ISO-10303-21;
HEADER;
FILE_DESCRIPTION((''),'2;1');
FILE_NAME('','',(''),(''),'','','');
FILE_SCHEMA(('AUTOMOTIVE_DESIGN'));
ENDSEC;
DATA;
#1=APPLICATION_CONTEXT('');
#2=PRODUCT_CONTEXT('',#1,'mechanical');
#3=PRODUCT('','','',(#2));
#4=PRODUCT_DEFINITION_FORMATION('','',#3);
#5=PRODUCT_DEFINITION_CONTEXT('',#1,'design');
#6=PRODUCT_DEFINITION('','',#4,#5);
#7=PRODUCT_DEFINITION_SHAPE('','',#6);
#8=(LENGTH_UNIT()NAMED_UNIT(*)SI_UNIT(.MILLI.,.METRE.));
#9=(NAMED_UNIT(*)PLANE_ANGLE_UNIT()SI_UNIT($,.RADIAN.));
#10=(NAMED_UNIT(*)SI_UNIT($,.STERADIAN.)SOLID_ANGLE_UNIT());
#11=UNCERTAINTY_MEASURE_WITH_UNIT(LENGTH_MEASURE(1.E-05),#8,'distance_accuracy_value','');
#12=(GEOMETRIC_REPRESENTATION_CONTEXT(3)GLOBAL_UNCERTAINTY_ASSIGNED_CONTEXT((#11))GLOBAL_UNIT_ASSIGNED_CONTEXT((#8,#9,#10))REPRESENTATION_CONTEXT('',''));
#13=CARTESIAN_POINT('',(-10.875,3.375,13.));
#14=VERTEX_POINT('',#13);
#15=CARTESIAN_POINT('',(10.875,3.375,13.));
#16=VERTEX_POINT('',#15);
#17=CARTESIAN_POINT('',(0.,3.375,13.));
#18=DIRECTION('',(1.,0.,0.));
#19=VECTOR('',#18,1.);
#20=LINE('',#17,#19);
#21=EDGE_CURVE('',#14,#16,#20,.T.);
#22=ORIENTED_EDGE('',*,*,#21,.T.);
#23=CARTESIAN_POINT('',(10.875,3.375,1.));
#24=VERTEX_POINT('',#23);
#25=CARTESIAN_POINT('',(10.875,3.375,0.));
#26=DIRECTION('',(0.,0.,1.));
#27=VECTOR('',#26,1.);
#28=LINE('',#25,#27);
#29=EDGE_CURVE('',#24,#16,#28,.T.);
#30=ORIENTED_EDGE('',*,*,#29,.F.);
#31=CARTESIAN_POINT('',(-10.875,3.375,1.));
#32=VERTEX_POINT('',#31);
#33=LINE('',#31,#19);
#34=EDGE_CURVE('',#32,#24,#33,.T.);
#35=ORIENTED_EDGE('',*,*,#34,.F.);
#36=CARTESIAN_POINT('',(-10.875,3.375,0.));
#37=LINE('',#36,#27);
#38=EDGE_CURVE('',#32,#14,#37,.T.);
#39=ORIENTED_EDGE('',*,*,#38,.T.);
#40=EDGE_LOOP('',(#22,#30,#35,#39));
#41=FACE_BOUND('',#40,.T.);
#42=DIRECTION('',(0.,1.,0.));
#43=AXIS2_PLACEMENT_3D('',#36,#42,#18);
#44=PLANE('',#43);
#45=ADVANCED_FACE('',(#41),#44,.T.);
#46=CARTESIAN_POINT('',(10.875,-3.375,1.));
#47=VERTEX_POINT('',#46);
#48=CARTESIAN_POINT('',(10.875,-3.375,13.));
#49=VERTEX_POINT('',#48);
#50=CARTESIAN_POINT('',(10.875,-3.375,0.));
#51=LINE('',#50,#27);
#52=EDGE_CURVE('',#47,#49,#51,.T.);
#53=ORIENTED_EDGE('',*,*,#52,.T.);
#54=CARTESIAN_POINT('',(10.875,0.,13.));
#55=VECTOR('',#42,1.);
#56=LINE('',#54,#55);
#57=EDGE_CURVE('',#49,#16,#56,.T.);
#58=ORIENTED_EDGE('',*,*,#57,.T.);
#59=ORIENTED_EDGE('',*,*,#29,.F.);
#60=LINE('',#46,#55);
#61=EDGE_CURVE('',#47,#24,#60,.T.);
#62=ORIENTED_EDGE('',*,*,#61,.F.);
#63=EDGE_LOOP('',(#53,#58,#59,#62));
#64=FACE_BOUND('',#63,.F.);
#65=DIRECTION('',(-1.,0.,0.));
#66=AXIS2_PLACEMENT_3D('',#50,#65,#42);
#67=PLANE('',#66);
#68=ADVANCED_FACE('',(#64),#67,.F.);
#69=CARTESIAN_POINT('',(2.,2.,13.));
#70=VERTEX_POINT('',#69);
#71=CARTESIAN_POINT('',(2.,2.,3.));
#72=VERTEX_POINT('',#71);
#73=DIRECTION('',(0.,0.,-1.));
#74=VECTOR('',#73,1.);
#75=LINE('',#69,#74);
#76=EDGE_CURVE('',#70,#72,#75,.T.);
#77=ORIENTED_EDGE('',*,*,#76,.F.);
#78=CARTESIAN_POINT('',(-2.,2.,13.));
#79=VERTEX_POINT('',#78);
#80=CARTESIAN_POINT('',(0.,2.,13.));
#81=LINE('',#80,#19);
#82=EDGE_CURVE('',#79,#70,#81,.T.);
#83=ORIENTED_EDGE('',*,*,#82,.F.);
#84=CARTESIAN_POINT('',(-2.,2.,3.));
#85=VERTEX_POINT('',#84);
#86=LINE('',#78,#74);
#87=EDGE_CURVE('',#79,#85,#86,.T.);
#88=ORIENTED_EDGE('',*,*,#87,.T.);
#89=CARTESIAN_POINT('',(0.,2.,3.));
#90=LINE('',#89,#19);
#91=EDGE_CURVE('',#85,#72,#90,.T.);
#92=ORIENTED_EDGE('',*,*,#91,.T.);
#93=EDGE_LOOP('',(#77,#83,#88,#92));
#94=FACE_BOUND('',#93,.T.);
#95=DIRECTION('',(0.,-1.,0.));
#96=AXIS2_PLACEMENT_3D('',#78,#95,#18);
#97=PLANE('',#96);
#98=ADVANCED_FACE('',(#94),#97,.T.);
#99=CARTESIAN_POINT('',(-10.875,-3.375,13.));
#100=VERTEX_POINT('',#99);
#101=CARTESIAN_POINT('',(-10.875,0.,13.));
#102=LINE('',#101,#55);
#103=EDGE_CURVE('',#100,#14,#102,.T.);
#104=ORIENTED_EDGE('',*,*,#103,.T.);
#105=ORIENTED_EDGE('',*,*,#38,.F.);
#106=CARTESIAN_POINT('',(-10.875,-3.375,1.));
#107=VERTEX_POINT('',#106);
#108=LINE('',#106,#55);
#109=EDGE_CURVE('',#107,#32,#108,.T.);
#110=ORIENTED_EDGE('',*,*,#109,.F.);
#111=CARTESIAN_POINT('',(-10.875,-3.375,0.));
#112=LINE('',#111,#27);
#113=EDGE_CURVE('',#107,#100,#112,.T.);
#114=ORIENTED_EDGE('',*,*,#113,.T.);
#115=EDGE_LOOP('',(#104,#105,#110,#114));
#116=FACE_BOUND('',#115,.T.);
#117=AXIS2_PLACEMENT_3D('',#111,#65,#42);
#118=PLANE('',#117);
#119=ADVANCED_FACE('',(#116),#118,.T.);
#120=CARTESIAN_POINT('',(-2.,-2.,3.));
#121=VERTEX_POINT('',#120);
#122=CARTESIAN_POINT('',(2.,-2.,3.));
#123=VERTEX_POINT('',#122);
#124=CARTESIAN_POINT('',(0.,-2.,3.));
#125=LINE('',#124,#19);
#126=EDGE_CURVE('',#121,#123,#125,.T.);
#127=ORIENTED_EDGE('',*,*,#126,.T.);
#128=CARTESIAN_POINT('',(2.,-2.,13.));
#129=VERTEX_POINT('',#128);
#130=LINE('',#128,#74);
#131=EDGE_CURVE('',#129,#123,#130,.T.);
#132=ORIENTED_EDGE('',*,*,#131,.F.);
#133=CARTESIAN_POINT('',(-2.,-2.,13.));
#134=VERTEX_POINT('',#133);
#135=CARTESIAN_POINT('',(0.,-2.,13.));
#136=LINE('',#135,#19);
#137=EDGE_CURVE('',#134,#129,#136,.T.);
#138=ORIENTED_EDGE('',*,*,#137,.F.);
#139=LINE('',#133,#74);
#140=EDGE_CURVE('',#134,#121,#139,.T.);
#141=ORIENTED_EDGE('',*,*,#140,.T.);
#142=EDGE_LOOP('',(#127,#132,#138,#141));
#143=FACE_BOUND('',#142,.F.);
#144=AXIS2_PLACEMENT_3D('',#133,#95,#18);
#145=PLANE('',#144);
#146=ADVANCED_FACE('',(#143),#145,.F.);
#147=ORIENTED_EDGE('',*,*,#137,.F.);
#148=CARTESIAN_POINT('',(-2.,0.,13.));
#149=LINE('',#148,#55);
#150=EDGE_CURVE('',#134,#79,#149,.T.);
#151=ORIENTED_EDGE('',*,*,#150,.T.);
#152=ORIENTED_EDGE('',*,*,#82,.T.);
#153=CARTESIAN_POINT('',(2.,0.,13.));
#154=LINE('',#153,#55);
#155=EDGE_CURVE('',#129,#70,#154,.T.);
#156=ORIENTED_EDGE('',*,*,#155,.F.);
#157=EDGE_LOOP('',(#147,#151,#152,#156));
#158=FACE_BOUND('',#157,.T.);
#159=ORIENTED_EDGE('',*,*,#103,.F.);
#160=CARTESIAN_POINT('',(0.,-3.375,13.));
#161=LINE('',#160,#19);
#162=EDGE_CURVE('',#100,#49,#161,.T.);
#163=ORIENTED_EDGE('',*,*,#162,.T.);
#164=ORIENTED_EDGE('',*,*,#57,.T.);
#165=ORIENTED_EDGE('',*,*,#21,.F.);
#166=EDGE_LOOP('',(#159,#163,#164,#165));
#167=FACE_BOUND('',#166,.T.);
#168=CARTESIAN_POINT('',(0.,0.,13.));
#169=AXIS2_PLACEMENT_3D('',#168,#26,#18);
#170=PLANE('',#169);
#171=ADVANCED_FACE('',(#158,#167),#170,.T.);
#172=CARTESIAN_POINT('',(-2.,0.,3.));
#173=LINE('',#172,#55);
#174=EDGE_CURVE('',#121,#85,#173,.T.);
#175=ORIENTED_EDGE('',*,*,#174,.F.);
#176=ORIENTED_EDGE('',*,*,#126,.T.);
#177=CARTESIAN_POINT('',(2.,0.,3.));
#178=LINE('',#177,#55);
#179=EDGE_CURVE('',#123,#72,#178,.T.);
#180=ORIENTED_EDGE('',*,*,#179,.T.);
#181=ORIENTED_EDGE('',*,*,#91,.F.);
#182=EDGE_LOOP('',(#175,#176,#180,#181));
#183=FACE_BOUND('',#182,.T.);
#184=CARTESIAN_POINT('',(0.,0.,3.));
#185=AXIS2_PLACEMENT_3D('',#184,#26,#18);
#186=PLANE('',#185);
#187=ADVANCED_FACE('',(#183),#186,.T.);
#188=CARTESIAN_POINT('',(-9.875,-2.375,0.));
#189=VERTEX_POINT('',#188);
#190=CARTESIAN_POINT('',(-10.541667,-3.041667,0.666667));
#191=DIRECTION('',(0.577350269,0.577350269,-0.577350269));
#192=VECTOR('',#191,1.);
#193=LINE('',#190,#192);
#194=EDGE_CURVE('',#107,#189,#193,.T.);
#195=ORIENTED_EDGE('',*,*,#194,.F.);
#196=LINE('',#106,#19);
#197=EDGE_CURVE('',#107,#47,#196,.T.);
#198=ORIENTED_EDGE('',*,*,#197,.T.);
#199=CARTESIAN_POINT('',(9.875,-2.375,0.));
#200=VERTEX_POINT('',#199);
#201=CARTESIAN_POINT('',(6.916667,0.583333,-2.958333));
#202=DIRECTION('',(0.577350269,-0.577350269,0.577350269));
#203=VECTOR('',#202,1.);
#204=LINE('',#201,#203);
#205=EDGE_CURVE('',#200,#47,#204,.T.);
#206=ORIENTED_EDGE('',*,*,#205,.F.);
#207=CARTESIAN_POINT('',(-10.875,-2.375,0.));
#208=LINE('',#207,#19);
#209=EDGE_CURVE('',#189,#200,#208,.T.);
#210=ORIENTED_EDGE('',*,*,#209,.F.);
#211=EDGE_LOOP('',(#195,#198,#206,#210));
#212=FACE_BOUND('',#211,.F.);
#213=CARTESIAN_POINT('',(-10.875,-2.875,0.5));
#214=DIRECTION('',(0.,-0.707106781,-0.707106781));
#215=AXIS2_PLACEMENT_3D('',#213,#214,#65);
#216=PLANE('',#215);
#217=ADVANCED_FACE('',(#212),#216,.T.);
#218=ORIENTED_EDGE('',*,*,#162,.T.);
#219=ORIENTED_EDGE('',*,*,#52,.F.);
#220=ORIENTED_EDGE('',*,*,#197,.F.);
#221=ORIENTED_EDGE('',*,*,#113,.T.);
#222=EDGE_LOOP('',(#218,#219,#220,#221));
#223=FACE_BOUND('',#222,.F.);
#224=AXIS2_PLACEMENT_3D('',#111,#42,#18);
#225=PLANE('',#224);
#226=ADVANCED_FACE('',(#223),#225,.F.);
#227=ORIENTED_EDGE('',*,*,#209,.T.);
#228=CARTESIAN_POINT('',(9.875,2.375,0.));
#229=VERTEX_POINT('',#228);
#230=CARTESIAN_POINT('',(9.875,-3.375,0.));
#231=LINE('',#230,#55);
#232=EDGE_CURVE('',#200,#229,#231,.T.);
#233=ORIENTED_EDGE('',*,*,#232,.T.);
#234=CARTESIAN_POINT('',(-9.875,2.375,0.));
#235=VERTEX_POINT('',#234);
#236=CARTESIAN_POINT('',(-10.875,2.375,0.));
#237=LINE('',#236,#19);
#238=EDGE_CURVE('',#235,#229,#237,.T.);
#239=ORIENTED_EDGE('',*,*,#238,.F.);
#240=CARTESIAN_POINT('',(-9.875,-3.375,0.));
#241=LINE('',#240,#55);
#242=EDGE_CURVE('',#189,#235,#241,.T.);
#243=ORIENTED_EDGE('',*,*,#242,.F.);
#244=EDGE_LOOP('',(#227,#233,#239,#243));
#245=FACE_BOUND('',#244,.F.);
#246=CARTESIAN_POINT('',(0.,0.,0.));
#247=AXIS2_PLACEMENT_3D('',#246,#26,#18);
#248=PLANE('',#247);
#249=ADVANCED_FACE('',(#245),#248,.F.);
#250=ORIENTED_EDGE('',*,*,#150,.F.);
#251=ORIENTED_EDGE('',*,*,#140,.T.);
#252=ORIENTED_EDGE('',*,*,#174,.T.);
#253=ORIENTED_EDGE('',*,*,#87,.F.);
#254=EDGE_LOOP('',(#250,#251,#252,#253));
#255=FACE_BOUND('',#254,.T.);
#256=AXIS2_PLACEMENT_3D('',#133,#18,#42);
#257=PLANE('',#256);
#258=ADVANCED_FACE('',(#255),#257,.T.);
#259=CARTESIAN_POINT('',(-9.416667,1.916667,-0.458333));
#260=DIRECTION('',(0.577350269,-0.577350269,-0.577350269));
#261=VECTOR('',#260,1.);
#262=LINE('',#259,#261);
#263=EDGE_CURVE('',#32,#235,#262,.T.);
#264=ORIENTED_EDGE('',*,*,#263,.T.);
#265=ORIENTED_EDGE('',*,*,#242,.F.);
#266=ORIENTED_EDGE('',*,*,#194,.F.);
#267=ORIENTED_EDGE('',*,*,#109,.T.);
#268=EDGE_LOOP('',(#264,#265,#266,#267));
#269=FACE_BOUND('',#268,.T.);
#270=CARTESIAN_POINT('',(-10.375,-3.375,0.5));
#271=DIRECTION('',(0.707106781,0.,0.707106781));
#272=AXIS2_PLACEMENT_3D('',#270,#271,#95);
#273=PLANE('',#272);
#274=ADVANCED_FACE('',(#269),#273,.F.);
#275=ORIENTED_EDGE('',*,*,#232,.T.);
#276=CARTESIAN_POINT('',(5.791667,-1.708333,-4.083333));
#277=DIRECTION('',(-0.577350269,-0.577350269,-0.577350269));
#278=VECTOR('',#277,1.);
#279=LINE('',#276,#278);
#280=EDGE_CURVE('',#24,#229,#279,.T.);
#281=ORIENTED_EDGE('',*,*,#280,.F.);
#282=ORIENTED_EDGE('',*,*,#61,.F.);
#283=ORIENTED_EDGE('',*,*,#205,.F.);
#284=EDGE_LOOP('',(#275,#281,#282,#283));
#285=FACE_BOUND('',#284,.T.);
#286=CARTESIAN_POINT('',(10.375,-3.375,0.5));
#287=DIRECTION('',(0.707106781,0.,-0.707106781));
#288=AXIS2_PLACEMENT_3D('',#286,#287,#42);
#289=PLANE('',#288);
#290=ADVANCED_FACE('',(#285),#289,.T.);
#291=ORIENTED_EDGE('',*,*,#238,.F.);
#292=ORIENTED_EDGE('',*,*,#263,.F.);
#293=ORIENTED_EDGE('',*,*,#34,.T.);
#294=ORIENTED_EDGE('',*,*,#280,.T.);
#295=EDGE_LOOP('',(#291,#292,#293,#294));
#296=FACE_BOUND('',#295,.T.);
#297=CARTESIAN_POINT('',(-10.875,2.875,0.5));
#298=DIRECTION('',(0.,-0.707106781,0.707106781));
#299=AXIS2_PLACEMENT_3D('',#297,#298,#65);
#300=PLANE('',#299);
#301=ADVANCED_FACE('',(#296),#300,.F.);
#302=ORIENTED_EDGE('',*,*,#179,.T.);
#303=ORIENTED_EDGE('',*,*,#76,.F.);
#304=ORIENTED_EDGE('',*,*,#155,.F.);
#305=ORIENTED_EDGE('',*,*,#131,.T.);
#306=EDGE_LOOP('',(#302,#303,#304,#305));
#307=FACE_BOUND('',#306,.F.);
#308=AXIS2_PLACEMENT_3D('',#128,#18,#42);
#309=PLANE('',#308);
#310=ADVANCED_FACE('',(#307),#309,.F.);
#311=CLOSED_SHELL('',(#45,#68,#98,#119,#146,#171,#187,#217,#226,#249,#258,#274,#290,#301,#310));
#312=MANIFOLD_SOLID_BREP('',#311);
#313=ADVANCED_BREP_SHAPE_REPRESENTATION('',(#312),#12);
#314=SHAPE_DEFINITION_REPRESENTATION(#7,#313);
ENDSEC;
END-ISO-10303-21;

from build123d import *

# Parameters (mm, degrees)
SKETCH_W     = 21.75
SKETCH_H     = 6.75
PAD_DEPTH    = 13
SKETCH001_W  = 4
SKETCH001_H  = 4
POCKET_DEPTH = 10
CHAMFER_SIZE = 1


with BuildPart() as part:
    # Sketch → Pad (new body)
    with BuildSketch(Plane.XY):
        Rectangle(SKETCH_W, SKETCH_H)
    extrude(amount=PAD_DEPTH)

    # Sketch001 (on Face6 of Pad) → Pocket (cut)
    with BuildSketch(Plane.XY.offset(13)):
        Rectangle(SKETCH001_W, SKETCH001_H)
    extrude(amount=-POCKET_DEPTH, mode=Mode.SUBTRACT)

    # Chamfer
    chamfer_edges = [part.edges().sort_by_distance(p)[0] for p in [
        (0, 3.375, 0),
        (10.875, 0, 0),
        (0, -3.375, 0),
        (-10.875, 0, 0),
    ]]
    chamfer(chamfer_edges, length=CHAMFER_SIZE)


solid = part.part
